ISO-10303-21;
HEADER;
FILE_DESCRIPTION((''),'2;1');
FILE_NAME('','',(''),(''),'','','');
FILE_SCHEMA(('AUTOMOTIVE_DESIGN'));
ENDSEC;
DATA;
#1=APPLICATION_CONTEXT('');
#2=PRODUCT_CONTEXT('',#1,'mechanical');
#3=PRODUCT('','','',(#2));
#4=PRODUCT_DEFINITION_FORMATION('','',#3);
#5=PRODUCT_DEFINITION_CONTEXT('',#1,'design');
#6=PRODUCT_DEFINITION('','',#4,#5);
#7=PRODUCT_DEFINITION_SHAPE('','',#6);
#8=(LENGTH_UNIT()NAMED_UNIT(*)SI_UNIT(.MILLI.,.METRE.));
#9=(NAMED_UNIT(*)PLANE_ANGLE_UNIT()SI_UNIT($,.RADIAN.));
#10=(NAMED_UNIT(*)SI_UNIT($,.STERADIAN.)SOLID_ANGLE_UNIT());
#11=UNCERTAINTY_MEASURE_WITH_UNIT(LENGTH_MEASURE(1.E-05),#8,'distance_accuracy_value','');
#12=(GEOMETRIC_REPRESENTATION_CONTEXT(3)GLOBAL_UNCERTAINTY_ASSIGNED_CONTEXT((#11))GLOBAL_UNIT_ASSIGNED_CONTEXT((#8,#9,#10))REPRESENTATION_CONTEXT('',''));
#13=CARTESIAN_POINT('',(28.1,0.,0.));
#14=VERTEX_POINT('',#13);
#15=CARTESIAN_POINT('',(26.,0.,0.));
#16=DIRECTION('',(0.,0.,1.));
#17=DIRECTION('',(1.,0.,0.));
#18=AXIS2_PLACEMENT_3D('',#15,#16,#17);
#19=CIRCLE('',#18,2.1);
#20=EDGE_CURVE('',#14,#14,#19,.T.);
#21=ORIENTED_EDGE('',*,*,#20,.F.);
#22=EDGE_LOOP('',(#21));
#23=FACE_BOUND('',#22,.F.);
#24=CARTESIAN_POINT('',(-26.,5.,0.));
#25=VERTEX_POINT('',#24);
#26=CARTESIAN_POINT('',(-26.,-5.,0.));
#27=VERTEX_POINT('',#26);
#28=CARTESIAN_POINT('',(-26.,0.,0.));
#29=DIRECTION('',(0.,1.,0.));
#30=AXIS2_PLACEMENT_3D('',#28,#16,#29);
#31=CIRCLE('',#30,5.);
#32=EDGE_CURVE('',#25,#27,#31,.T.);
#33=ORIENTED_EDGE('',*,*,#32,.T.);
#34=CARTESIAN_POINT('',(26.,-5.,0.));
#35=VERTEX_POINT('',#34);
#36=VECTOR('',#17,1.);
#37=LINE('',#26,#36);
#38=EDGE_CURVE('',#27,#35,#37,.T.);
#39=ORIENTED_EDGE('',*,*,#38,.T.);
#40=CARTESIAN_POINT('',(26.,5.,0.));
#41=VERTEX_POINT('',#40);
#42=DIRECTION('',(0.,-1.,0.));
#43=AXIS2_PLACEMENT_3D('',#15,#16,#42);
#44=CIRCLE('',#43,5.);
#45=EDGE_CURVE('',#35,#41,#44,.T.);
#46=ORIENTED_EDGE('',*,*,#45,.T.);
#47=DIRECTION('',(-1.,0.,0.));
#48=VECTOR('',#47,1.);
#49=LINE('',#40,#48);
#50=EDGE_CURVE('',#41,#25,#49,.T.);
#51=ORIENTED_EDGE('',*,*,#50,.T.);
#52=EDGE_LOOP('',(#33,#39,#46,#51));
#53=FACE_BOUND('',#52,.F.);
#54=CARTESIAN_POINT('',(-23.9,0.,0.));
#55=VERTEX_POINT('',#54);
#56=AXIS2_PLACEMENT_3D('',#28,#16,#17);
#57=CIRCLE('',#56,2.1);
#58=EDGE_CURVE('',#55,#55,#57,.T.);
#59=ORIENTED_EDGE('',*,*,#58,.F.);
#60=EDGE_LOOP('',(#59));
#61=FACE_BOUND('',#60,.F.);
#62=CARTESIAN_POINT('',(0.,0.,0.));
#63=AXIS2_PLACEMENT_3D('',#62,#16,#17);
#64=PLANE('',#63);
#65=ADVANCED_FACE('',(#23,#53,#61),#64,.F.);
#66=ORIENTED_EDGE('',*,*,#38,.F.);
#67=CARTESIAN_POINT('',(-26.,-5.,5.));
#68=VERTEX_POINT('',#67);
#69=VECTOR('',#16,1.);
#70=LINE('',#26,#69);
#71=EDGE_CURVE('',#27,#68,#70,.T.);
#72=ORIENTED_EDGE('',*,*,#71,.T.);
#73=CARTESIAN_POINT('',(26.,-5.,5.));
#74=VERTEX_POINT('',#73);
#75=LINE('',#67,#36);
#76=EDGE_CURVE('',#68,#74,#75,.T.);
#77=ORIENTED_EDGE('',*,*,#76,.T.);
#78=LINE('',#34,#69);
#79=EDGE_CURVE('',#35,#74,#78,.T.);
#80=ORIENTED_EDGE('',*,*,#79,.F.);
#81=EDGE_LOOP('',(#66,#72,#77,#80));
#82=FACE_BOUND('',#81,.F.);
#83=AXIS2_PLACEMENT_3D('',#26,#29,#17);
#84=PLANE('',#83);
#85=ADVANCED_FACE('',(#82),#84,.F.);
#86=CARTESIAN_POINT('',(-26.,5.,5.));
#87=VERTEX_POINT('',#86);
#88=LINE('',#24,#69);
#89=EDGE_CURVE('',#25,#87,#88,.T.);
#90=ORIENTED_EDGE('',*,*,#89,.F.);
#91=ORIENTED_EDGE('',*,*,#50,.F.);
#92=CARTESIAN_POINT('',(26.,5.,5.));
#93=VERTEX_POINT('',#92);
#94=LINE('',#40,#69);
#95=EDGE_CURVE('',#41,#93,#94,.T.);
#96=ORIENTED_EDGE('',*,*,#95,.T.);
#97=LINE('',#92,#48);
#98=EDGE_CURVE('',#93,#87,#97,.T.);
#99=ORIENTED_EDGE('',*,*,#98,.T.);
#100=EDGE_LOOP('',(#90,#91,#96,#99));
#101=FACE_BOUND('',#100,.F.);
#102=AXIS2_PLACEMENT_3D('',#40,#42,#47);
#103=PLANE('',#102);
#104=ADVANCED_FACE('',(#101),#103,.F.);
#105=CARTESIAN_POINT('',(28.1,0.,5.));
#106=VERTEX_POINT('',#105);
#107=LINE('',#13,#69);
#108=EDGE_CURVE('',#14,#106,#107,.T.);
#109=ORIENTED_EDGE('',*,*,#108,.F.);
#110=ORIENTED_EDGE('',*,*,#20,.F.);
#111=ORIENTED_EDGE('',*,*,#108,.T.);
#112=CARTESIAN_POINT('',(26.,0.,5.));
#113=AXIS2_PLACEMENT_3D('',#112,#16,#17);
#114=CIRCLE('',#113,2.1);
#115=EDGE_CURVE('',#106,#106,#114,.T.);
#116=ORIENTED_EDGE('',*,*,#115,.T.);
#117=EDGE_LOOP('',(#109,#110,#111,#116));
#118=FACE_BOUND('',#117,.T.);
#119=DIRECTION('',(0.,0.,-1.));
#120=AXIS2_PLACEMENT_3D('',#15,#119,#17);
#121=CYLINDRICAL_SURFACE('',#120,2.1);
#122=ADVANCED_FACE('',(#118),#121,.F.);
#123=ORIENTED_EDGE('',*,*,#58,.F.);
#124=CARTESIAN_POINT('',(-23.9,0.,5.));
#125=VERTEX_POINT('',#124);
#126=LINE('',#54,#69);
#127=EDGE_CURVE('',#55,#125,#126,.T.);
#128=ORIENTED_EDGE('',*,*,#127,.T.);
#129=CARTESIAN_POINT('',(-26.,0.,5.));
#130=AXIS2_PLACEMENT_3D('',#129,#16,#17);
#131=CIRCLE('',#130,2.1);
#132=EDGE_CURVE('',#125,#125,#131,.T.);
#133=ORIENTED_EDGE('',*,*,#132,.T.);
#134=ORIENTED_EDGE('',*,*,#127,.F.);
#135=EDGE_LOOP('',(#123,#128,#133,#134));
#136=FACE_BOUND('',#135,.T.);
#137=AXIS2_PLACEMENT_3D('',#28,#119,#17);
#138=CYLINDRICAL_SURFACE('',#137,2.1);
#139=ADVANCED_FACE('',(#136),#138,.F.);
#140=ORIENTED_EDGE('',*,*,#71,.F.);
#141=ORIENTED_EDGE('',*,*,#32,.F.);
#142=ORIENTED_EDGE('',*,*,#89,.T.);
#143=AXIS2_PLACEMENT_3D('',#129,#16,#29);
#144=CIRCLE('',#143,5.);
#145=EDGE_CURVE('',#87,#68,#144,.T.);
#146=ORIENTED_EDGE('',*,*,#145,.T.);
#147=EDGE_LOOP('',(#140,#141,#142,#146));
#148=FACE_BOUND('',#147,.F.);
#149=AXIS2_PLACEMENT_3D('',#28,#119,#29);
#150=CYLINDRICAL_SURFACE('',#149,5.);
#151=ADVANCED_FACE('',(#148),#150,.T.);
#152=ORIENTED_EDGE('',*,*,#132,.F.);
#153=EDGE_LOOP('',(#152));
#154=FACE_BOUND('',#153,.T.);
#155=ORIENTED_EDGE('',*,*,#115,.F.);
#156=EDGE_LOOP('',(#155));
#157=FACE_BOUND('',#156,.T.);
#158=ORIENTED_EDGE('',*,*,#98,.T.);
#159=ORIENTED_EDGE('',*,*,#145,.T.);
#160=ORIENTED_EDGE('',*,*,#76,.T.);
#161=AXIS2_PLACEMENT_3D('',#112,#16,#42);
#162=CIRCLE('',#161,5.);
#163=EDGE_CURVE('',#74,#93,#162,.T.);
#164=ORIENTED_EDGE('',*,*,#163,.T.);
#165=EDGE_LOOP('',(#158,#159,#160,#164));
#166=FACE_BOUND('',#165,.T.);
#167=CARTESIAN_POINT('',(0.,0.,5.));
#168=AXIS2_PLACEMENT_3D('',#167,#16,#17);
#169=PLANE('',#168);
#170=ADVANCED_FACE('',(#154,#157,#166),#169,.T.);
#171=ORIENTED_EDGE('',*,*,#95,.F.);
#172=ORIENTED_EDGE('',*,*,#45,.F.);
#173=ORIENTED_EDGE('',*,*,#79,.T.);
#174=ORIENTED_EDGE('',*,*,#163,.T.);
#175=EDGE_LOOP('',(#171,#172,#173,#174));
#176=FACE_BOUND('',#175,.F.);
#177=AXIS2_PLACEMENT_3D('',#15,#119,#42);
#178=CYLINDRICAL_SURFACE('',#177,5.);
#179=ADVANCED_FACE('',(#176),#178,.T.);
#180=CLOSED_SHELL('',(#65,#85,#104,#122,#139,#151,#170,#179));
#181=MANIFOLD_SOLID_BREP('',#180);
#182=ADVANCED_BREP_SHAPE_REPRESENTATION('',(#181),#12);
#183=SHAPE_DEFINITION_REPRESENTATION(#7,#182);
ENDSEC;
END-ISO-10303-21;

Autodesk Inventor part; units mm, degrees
ref_plane "YZ Plane" through (0, 0, 0) normal (1, 0, 0) x (0, 1, 0)
ref_plane "XZ Plane" through (0, 0, 0) normal (0, 1, 0) x (-1, 0, 0)
ref_plane "XY Plane" through (0, 0, 0) normal (0, 0, 1) x (1, 0, 0)
sketch "Sketch1" plane through (0, 0, 0) normal (0, 0, 1) x (1, 0, 0)
  line L0 (-26, 0) -> (26, 0) construction
  line L1 (-26, -5) -> (26, -5)
  line L2 (26, 5) -> (-26, 5)
  arc A0 (-26, 5) -> (-26, -5) centre (-26, 0) ccw
  arc A1 (26, -5) -> (26, 5) centre (26, 0) ccw
  circle A2 centre (-26, 0) radius 2.1
  circle A3 centre (26, 0) radius 2.1
  point P0 (0, 0)
  point P1 (0, 0)
  point P2 (0, -1.8466)
  point P3 (0, 1.8466)
  dimension "d0" = 10
  dimension "d1" = 52
  dimension "d2" = 4.2
  dimension "d3" = 4.2
extrude "Extrusion1" add sketch "Sketch1" along normal blind 5
equation "\"d2\" = d3"
properties part number "lower-tipper-link"
